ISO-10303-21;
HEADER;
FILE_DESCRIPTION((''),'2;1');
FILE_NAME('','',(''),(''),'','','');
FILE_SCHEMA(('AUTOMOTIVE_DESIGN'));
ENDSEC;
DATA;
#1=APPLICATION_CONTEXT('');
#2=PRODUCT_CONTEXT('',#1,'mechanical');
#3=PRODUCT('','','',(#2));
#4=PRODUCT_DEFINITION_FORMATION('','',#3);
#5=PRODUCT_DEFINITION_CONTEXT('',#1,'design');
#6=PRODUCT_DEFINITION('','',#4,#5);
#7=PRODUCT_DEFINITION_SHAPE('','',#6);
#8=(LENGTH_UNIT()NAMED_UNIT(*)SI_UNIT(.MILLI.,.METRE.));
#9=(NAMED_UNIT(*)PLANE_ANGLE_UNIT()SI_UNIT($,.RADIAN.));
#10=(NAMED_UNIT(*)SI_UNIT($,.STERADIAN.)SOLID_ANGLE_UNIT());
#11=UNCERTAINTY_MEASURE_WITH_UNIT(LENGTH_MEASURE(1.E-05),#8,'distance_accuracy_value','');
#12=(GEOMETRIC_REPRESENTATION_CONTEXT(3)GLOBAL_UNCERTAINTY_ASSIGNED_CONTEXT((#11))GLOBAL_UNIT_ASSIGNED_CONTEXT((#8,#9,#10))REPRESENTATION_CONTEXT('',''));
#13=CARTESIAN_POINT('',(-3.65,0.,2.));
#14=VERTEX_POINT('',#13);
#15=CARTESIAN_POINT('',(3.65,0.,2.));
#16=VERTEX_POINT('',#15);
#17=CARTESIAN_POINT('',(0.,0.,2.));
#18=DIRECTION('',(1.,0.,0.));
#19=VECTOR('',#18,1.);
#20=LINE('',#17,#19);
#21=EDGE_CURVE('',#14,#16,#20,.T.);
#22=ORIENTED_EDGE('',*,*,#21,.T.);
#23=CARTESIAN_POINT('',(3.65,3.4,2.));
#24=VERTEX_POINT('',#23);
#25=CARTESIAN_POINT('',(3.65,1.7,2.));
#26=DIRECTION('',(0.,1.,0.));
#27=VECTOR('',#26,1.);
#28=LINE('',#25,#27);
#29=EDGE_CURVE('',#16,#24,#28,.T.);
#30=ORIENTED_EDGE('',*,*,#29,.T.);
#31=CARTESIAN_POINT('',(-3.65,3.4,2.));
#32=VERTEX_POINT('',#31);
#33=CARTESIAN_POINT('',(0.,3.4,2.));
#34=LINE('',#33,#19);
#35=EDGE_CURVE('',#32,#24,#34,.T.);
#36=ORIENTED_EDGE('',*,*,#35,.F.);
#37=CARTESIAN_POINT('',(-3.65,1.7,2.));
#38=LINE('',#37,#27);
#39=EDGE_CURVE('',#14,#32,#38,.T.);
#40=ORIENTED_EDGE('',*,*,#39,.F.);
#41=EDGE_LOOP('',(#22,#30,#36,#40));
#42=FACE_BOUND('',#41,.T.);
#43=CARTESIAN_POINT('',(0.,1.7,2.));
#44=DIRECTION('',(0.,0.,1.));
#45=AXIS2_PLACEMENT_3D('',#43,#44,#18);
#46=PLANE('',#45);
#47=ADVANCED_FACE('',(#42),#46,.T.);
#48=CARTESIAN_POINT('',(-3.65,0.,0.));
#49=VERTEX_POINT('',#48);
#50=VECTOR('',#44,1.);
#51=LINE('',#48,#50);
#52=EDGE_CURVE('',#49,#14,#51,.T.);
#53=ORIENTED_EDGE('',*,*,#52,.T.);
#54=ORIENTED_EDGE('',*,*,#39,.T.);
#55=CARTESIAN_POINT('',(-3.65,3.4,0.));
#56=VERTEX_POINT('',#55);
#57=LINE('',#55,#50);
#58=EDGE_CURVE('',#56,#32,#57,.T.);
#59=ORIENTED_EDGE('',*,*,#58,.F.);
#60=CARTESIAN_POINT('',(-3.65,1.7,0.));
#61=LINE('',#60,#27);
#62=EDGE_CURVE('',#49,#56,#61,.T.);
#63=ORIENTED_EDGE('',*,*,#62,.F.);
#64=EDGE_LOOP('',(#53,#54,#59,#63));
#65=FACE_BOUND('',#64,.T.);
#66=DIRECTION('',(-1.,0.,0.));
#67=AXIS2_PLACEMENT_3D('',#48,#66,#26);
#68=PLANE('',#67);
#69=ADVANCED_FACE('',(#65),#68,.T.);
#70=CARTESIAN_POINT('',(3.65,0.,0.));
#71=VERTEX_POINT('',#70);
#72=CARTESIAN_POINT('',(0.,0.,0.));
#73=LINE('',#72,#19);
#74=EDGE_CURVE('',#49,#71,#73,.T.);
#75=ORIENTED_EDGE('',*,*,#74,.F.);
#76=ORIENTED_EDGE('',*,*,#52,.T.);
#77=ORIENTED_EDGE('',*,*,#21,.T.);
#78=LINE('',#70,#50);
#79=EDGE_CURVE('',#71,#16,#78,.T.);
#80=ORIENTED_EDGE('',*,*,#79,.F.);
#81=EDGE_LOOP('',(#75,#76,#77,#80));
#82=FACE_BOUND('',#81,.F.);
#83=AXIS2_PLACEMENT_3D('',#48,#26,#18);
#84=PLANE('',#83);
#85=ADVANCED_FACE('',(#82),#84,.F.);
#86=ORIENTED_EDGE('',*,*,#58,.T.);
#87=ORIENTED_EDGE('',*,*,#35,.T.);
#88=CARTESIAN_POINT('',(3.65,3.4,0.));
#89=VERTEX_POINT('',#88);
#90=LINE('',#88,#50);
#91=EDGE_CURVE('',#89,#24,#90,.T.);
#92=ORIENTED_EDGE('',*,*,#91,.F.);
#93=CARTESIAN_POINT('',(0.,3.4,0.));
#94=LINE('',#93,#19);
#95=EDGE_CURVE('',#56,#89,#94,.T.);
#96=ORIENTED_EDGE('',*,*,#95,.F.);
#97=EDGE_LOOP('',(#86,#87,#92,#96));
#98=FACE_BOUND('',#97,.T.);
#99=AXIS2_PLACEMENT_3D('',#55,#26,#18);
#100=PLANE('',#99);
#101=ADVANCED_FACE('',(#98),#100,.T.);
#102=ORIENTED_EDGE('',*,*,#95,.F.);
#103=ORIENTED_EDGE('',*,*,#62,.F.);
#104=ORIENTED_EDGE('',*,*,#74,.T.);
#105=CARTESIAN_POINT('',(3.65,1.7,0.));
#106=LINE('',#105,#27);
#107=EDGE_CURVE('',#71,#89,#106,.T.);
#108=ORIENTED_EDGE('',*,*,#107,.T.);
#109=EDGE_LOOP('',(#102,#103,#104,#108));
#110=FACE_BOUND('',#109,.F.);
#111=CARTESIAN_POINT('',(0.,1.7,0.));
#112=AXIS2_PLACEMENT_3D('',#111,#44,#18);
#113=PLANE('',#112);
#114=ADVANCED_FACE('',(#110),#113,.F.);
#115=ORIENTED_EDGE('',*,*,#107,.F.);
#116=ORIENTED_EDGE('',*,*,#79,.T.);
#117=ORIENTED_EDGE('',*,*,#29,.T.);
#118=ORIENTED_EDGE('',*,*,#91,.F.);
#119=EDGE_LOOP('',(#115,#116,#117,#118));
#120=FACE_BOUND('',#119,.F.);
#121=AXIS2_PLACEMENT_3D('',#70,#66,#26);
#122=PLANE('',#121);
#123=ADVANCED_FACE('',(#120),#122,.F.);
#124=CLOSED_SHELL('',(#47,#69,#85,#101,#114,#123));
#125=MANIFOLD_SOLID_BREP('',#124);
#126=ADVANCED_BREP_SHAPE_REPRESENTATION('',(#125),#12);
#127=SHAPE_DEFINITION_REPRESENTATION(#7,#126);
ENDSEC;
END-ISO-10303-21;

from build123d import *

# Parameters (mm, degrees)
SKETCH_W  = 7.3
SKETCH_H  = 3.4
PAD_DEPTH = 2


with BuildPart() as part:
    # Sketch → Pad (new body)
    with BuildSketch(Plane.XY):
        with Locations((0, 1.7)):
            Rectangle(SKETCH_W, SKETCH_H)
    extrude(amount=PAD_DEPTH)


solid = part.part
